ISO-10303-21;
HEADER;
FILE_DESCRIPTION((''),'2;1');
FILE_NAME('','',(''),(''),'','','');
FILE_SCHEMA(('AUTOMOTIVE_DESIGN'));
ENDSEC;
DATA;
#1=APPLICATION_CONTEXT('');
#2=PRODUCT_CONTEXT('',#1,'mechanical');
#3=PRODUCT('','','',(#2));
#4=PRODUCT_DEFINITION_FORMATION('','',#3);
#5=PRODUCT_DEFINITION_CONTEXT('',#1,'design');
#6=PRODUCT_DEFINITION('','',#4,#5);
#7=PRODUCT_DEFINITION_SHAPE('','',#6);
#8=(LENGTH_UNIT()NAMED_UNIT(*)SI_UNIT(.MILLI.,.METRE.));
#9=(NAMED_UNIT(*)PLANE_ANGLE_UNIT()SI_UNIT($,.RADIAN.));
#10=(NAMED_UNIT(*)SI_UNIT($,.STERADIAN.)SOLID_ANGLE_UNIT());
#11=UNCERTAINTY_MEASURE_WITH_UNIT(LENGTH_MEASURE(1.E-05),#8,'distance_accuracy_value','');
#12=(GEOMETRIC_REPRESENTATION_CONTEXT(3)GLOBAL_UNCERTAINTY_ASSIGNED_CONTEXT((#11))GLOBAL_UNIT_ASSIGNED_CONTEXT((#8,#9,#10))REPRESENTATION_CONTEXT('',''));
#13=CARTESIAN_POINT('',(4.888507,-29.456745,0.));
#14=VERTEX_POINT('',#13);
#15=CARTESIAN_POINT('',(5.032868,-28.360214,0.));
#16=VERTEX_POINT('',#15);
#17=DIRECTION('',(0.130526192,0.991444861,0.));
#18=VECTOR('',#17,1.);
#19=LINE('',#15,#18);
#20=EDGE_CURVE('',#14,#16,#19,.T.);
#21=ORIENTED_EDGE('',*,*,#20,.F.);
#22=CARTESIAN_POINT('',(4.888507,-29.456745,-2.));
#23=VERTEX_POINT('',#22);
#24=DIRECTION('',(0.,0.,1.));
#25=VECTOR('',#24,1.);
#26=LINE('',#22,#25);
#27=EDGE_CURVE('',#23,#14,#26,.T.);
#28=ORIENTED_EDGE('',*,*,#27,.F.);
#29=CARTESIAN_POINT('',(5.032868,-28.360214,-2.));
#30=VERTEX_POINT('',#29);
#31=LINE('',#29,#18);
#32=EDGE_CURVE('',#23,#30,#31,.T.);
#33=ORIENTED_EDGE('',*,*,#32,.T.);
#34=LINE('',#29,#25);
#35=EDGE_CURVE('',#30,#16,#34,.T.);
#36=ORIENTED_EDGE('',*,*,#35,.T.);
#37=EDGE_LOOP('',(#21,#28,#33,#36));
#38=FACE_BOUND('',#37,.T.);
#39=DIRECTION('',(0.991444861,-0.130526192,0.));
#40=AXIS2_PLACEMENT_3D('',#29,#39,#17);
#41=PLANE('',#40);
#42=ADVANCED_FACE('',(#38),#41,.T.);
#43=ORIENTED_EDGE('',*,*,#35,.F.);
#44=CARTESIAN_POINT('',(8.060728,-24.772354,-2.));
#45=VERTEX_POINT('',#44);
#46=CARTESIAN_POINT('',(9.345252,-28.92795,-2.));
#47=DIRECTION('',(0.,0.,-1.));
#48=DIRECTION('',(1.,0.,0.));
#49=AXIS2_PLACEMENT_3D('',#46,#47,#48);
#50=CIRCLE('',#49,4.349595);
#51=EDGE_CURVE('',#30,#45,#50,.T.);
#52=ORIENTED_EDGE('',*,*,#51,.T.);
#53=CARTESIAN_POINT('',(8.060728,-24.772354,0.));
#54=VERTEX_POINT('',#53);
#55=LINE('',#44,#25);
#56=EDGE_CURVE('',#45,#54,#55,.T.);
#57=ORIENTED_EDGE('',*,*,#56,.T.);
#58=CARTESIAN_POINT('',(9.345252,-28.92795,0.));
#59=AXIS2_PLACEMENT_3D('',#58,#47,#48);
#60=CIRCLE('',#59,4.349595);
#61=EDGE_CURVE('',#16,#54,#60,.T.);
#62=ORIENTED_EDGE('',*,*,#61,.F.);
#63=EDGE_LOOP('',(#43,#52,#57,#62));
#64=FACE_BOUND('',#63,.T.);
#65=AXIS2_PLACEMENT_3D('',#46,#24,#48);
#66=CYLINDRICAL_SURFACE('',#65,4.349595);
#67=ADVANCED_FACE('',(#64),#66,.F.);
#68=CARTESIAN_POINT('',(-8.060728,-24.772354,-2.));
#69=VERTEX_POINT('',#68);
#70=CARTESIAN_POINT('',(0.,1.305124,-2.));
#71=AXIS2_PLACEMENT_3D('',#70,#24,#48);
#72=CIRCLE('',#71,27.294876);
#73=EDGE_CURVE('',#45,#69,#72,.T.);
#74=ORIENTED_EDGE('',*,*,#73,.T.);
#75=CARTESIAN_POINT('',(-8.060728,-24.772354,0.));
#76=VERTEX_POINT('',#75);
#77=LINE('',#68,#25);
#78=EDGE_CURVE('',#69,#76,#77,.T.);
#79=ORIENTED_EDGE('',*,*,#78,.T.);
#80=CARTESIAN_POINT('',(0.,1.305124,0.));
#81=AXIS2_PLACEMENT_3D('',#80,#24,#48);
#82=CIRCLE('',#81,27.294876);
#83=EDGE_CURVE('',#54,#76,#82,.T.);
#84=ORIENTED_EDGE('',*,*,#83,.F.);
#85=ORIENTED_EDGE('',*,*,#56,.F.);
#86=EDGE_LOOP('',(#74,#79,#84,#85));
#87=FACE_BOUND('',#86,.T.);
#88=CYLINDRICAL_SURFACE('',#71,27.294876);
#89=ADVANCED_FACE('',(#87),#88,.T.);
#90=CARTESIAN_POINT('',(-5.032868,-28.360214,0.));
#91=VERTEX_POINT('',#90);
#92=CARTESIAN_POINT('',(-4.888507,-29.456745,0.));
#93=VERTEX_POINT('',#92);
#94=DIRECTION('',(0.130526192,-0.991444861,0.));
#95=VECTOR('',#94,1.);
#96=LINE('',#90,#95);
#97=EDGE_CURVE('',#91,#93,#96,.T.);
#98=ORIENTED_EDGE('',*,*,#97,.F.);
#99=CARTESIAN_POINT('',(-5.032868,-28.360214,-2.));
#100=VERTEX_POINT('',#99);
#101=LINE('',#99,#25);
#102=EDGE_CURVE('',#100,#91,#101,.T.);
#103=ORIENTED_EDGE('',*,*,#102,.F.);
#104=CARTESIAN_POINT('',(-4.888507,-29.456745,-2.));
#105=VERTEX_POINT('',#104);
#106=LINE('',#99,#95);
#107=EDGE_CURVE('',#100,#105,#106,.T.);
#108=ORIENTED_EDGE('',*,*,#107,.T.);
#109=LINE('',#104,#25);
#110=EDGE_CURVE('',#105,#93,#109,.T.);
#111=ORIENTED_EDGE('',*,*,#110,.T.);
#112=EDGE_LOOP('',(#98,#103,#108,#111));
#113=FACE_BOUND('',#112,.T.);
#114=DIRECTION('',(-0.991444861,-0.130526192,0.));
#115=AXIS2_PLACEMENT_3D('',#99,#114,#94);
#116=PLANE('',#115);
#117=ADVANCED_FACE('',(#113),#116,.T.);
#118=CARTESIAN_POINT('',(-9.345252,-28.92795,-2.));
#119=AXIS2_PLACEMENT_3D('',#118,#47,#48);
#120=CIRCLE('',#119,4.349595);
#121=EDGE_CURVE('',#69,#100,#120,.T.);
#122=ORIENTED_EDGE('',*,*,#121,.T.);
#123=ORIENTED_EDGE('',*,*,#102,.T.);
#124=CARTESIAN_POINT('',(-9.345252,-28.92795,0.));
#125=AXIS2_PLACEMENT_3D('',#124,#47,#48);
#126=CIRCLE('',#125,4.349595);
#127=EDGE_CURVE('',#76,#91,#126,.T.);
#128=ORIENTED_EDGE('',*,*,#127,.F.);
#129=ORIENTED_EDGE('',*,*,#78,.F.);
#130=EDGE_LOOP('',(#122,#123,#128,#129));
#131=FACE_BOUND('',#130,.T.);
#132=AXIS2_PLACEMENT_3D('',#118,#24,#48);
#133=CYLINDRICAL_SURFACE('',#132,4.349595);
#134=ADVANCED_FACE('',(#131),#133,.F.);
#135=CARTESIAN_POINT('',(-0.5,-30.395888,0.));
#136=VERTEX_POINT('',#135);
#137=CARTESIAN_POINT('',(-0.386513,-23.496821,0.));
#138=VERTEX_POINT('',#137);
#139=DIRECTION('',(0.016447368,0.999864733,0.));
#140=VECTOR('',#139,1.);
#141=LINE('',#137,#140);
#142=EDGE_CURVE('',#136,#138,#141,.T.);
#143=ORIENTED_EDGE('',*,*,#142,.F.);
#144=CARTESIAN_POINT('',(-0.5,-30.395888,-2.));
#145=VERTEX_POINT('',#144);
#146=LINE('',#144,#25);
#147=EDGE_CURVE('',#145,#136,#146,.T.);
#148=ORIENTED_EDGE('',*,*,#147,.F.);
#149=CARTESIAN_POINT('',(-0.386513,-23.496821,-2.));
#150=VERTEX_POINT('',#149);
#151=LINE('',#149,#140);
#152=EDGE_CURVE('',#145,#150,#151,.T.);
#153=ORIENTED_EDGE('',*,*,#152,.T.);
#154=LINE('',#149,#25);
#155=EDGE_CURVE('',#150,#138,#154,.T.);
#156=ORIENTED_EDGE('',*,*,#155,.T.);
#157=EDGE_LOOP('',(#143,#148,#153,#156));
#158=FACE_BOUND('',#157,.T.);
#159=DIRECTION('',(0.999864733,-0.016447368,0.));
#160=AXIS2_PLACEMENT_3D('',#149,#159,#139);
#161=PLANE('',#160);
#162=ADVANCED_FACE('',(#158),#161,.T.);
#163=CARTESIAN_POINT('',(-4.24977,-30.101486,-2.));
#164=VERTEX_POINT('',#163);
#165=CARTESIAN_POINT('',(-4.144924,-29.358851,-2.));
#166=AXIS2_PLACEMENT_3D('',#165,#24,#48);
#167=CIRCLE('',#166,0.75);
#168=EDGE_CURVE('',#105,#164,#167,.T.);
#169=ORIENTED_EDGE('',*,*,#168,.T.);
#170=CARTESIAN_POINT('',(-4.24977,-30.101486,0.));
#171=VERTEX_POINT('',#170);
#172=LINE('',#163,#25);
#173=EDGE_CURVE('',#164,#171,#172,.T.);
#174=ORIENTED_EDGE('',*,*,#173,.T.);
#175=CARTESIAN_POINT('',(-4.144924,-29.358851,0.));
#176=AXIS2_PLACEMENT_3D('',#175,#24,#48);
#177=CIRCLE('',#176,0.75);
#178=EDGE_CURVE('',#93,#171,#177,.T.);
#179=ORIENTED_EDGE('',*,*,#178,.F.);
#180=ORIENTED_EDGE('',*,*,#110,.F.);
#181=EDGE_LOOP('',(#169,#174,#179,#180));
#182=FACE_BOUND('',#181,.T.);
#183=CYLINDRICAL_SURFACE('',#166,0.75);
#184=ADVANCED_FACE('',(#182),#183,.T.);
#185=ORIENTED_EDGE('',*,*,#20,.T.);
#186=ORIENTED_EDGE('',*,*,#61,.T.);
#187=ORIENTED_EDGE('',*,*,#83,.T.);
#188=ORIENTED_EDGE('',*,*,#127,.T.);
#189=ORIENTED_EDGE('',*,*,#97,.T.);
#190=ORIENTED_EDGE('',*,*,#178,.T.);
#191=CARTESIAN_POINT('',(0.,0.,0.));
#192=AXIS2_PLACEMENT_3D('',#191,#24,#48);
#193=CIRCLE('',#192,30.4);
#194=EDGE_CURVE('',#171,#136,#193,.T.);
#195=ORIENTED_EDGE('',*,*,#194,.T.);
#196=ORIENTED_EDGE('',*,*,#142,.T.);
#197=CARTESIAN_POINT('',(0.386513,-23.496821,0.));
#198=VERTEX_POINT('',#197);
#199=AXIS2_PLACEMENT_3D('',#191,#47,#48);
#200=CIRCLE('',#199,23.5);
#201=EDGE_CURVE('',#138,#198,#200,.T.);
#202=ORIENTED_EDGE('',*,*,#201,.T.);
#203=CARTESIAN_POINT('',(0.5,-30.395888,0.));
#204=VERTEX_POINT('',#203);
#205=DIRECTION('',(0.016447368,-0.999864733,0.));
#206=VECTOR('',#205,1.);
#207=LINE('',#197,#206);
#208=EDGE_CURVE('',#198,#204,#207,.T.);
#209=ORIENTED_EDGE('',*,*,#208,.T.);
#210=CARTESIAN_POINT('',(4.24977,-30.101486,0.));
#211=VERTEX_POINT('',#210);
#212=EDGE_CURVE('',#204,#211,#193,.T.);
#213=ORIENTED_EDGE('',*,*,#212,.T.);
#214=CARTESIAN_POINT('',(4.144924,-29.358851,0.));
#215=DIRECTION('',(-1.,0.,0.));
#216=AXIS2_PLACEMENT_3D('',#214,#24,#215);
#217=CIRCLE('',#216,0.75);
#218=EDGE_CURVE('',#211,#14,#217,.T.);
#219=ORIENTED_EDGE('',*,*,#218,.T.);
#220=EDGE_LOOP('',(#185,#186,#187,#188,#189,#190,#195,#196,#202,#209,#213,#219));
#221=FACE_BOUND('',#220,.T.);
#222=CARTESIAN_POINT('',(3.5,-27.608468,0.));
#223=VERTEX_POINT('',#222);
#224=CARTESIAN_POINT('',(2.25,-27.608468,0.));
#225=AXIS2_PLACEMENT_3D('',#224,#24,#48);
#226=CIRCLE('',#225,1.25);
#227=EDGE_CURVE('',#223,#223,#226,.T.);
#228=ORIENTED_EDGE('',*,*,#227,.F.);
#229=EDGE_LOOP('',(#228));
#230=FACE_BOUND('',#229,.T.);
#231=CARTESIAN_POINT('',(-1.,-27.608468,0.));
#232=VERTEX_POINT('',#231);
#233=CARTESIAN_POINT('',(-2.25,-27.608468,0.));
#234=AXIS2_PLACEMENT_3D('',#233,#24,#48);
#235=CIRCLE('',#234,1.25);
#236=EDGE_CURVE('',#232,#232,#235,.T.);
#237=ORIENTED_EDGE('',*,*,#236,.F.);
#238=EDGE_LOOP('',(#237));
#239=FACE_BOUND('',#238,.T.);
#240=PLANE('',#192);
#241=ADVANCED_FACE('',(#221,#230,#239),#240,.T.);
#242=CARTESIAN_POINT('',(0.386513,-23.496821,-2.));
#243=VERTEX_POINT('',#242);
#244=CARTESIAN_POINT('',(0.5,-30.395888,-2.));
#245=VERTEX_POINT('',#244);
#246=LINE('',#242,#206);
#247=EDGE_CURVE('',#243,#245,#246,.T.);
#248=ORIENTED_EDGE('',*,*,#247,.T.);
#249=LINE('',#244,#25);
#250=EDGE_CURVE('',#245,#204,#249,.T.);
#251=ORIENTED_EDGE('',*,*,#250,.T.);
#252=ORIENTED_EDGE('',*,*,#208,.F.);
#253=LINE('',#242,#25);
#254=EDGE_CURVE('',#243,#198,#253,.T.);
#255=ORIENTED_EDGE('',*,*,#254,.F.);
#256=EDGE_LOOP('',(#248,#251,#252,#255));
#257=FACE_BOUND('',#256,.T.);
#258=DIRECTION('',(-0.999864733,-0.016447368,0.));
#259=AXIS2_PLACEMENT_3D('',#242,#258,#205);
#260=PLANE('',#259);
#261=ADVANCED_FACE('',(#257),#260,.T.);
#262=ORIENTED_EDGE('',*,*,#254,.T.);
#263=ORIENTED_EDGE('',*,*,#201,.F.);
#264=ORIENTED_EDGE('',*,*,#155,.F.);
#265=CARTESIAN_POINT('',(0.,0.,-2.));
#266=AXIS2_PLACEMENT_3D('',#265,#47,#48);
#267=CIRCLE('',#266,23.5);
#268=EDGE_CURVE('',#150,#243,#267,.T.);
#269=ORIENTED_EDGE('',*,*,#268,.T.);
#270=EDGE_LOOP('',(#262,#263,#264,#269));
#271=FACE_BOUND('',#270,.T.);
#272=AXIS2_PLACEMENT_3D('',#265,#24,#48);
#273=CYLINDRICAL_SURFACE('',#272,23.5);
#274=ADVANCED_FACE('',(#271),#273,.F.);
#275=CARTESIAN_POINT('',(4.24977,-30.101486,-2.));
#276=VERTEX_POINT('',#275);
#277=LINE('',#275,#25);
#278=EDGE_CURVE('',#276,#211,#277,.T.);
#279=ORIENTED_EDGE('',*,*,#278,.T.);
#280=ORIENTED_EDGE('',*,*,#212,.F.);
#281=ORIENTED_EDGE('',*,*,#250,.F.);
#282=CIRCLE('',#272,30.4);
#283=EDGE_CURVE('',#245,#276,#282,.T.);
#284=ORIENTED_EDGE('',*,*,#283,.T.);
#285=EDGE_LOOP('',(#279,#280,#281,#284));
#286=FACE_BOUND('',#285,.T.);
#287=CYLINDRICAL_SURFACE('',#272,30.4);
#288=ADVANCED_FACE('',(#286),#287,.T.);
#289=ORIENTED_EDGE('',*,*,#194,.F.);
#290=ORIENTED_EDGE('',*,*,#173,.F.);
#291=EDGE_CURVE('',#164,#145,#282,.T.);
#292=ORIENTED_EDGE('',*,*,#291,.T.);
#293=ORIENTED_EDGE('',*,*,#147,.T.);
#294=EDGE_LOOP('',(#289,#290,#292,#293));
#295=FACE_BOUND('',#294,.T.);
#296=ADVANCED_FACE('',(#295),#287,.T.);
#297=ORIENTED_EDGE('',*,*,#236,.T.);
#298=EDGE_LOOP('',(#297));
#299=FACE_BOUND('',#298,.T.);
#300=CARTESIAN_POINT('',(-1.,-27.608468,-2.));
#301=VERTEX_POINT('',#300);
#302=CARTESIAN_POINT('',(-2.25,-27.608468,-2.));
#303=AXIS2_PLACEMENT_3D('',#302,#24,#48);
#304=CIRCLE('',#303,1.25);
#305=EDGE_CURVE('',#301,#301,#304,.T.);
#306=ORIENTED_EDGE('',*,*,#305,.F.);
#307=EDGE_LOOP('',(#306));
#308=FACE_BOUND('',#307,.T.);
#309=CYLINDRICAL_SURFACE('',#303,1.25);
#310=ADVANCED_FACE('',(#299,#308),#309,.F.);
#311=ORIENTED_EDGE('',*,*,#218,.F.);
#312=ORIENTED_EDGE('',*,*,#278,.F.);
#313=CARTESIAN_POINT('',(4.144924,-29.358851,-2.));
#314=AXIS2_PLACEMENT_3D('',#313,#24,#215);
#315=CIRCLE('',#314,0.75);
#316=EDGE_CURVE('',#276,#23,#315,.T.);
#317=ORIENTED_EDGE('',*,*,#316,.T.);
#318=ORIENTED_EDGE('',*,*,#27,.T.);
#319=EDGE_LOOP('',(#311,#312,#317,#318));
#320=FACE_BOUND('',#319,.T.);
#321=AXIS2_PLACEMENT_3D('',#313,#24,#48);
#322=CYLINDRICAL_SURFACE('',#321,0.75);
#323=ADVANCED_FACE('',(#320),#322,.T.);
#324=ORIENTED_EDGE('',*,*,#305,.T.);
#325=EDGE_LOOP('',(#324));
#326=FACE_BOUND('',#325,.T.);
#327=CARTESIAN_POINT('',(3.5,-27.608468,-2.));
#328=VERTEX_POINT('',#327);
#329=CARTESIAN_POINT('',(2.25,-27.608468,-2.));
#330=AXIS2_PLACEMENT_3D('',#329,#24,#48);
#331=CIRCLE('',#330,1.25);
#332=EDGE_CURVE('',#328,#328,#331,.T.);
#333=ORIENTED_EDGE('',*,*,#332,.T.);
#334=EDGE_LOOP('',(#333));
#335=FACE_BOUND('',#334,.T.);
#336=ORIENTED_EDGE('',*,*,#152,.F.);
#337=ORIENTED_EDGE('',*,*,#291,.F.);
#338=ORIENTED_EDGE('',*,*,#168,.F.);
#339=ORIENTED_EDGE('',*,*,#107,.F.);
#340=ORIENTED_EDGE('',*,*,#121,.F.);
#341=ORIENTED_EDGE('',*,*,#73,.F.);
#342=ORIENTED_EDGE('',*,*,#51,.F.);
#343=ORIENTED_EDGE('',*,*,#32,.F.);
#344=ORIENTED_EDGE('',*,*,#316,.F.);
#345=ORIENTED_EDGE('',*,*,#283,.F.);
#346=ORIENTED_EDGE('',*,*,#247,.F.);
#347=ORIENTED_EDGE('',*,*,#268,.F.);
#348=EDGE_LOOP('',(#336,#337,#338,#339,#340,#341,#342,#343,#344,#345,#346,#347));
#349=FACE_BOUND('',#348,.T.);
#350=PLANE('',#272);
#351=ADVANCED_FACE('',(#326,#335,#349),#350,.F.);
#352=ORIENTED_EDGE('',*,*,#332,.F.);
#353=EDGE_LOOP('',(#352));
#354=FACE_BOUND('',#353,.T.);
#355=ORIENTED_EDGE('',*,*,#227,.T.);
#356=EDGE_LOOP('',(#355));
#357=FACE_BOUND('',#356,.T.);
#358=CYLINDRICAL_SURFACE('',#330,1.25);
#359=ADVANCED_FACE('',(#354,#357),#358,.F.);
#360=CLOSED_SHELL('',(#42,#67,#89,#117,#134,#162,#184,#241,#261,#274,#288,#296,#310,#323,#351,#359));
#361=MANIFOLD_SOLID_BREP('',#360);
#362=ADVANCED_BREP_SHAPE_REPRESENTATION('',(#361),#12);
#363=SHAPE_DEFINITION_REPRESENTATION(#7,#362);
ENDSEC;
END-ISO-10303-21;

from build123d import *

# Parameters (mm, degrees)
BODYSKE_R  = 1.25
BODY_DEPTH = 2


with BuildPart() as part:
    # BodySke → Body (new body)
    with BuildSketch(Plane.XY):
        with BuildLine():
            Line((0.386513158, -23.496821223), (0.5, -30.39588788))
            ThreePointArc((0.5, -30.39588788), (2.379442525, -30.306736104), (4.249769934, -30.101485935))
            ThreePointArc((4.249769934, -30.101485935), (4.677728464, -29.886694333), (4.888507282, -29.456745236))
            Line((4.888507282, -29.456745236), (5.032868407, -28.360213631))
            ThreePointArc((5.032868407, -28.360213631), (6.021169182, -26.1226958), (8.06072845, -24.772354193))
            ThreePointArc((8.06072845, -24.772354193), (0, 28.6), (-8.06072845, -24.772354193))
            ThreePointArc((-8.06072845, -24.772354193), (-6.021169182, -26.1226958), (-5.032868407, -28.360213631))
            Line((-5.032868407, -28.360213631), (-4.888507282, -29.456745236))
            ThreePointArc((-4.888507282, -29.456745236), (-4.677728464, -29.886694333), (-4.249769934, -30.101485935))
            ThreePointArc((-4.249769934, -30.101485935), (-2.379442525, -30.306736104), (-0.5, -30.39588788))
            Line((-0.5, -30.39588788), (-0.386513158, -23.496821223))
            ThreePointArc((-0.386513158, -23.496821223), (0, 23.5), (0.386513158, -23.496821223))
        make_face()
        with Locations((2.25, -27.608467904)):
            Circle(BODYSKE_R, mode=Mode.SUBTRACT)
        with Locations((-2.25, -27.608467904)):
            Circle(BODYSKE_R, mode=Mode.SUBTRACT)
    extrude(amount=-BODY_DEPTH)


solid = part.part
